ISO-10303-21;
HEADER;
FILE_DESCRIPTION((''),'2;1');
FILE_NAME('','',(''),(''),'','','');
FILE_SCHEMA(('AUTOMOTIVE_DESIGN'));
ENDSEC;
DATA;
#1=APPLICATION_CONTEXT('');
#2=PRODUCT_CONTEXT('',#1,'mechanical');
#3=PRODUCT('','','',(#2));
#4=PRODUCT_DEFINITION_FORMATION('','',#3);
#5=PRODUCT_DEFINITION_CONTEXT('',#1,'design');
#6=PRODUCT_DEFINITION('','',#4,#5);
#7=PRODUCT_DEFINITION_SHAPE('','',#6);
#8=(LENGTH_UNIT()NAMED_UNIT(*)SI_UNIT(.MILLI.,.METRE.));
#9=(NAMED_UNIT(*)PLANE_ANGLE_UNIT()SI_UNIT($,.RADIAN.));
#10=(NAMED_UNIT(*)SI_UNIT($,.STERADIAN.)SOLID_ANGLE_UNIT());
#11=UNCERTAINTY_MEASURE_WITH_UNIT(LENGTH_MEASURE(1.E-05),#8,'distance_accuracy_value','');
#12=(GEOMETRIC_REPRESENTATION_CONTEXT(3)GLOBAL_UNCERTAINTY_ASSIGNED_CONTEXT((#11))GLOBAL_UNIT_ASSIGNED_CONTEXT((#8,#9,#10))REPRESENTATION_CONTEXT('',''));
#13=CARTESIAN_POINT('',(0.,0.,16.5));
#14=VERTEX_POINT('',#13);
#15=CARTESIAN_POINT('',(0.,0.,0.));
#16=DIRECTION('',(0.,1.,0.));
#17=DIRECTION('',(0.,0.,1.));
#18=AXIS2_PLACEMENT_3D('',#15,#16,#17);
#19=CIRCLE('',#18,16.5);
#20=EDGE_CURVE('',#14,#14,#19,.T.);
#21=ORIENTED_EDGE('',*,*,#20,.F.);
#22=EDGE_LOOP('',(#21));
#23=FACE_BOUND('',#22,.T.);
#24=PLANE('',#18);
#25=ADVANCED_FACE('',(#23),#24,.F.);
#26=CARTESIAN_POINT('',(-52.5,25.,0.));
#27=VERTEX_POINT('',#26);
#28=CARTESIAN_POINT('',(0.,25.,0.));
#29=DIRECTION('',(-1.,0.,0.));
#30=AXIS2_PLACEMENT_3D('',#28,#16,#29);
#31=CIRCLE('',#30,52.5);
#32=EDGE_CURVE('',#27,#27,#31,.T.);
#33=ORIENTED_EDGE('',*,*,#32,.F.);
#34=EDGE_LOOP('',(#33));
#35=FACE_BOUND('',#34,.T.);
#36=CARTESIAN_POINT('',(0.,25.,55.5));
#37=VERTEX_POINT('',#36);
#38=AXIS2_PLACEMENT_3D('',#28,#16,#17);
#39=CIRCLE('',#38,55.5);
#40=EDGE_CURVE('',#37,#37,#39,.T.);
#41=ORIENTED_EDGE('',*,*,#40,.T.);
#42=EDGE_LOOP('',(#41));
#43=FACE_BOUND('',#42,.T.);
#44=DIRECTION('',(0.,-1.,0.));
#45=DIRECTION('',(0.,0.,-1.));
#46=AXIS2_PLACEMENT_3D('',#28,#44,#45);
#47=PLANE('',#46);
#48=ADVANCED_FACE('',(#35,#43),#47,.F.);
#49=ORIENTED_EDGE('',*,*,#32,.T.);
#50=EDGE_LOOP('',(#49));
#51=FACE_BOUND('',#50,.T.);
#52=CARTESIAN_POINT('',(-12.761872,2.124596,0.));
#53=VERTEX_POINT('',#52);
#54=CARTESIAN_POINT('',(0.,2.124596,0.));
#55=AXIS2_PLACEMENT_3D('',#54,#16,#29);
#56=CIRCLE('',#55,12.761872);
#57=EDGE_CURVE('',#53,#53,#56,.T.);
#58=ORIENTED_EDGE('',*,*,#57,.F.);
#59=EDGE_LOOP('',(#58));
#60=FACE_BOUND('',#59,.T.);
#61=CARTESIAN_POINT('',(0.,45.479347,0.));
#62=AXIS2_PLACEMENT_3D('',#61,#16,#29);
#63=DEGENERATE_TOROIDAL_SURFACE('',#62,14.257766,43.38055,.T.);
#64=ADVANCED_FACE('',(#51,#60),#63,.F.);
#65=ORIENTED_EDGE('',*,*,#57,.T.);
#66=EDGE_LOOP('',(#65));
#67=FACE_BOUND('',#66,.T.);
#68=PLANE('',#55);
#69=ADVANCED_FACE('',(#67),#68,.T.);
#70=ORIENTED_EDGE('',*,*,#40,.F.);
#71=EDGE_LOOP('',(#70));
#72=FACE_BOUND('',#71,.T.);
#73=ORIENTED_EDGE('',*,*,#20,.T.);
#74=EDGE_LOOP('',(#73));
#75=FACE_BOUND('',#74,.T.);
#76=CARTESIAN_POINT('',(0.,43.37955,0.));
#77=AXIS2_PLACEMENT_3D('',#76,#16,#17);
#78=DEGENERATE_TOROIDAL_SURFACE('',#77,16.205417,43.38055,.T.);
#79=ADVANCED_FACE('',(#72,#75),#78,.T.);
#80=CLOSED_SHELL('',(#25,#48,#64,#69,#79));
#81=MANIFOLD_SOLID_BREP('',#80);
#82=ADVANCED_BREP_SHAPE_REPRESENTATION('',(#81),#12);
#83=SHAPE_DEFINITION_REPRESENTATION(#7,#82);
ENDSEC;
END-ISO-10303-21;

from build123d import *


with BuildPart() as part:
    # Эскиз3 → Повернуть1 (revolve)
    with BuildSketch(Plane.XY, mode=Mode.PRIVATE) as revolve_1_sk:
        with BuildLine():
            Line((0, 0), (16.5, 0))
            ThreePointArc((16.5, 0), (39.616429657, 6.858369735), (55.5, 25))
            Line((55.5, 25), (0, 25))
            Line((0, 25), (0, 0))
        make_face()
    revolve(revolve_1_sk.sketch.rotate(Axis((0, 25, 0), (0, -1, 0)), 90), axis=Axis((0, 25, 0), (0, -1, 0)))

    # Эскиз6 → Вырез-Повернуть1 (revolve, cut)
    with BuildSketch(Plane.XY, mode=Mode.PRIVATE) as cut_revolve_1_sk:
        with BuildLine():
            Line((0, 2.124596052), (12.761871667, 2.124596052))
            ThreePointArc((12.761871667, 2.124596052), (35.900187179, 7.883100849), (52.5, 25))
            Line((52.5, 25), (0, 25))
            Line((0, 25), (0, 2.124596052))
        make_face()
    revolve(cut_revolve_1_sk.sketch.rotate(Axis((0, 25, 0), (0, -1, 0)), 90), axis=Axis((0, 25, 0), (0, -1, 0)), mode=Mode.SUBTRACT)


solid = part.part
